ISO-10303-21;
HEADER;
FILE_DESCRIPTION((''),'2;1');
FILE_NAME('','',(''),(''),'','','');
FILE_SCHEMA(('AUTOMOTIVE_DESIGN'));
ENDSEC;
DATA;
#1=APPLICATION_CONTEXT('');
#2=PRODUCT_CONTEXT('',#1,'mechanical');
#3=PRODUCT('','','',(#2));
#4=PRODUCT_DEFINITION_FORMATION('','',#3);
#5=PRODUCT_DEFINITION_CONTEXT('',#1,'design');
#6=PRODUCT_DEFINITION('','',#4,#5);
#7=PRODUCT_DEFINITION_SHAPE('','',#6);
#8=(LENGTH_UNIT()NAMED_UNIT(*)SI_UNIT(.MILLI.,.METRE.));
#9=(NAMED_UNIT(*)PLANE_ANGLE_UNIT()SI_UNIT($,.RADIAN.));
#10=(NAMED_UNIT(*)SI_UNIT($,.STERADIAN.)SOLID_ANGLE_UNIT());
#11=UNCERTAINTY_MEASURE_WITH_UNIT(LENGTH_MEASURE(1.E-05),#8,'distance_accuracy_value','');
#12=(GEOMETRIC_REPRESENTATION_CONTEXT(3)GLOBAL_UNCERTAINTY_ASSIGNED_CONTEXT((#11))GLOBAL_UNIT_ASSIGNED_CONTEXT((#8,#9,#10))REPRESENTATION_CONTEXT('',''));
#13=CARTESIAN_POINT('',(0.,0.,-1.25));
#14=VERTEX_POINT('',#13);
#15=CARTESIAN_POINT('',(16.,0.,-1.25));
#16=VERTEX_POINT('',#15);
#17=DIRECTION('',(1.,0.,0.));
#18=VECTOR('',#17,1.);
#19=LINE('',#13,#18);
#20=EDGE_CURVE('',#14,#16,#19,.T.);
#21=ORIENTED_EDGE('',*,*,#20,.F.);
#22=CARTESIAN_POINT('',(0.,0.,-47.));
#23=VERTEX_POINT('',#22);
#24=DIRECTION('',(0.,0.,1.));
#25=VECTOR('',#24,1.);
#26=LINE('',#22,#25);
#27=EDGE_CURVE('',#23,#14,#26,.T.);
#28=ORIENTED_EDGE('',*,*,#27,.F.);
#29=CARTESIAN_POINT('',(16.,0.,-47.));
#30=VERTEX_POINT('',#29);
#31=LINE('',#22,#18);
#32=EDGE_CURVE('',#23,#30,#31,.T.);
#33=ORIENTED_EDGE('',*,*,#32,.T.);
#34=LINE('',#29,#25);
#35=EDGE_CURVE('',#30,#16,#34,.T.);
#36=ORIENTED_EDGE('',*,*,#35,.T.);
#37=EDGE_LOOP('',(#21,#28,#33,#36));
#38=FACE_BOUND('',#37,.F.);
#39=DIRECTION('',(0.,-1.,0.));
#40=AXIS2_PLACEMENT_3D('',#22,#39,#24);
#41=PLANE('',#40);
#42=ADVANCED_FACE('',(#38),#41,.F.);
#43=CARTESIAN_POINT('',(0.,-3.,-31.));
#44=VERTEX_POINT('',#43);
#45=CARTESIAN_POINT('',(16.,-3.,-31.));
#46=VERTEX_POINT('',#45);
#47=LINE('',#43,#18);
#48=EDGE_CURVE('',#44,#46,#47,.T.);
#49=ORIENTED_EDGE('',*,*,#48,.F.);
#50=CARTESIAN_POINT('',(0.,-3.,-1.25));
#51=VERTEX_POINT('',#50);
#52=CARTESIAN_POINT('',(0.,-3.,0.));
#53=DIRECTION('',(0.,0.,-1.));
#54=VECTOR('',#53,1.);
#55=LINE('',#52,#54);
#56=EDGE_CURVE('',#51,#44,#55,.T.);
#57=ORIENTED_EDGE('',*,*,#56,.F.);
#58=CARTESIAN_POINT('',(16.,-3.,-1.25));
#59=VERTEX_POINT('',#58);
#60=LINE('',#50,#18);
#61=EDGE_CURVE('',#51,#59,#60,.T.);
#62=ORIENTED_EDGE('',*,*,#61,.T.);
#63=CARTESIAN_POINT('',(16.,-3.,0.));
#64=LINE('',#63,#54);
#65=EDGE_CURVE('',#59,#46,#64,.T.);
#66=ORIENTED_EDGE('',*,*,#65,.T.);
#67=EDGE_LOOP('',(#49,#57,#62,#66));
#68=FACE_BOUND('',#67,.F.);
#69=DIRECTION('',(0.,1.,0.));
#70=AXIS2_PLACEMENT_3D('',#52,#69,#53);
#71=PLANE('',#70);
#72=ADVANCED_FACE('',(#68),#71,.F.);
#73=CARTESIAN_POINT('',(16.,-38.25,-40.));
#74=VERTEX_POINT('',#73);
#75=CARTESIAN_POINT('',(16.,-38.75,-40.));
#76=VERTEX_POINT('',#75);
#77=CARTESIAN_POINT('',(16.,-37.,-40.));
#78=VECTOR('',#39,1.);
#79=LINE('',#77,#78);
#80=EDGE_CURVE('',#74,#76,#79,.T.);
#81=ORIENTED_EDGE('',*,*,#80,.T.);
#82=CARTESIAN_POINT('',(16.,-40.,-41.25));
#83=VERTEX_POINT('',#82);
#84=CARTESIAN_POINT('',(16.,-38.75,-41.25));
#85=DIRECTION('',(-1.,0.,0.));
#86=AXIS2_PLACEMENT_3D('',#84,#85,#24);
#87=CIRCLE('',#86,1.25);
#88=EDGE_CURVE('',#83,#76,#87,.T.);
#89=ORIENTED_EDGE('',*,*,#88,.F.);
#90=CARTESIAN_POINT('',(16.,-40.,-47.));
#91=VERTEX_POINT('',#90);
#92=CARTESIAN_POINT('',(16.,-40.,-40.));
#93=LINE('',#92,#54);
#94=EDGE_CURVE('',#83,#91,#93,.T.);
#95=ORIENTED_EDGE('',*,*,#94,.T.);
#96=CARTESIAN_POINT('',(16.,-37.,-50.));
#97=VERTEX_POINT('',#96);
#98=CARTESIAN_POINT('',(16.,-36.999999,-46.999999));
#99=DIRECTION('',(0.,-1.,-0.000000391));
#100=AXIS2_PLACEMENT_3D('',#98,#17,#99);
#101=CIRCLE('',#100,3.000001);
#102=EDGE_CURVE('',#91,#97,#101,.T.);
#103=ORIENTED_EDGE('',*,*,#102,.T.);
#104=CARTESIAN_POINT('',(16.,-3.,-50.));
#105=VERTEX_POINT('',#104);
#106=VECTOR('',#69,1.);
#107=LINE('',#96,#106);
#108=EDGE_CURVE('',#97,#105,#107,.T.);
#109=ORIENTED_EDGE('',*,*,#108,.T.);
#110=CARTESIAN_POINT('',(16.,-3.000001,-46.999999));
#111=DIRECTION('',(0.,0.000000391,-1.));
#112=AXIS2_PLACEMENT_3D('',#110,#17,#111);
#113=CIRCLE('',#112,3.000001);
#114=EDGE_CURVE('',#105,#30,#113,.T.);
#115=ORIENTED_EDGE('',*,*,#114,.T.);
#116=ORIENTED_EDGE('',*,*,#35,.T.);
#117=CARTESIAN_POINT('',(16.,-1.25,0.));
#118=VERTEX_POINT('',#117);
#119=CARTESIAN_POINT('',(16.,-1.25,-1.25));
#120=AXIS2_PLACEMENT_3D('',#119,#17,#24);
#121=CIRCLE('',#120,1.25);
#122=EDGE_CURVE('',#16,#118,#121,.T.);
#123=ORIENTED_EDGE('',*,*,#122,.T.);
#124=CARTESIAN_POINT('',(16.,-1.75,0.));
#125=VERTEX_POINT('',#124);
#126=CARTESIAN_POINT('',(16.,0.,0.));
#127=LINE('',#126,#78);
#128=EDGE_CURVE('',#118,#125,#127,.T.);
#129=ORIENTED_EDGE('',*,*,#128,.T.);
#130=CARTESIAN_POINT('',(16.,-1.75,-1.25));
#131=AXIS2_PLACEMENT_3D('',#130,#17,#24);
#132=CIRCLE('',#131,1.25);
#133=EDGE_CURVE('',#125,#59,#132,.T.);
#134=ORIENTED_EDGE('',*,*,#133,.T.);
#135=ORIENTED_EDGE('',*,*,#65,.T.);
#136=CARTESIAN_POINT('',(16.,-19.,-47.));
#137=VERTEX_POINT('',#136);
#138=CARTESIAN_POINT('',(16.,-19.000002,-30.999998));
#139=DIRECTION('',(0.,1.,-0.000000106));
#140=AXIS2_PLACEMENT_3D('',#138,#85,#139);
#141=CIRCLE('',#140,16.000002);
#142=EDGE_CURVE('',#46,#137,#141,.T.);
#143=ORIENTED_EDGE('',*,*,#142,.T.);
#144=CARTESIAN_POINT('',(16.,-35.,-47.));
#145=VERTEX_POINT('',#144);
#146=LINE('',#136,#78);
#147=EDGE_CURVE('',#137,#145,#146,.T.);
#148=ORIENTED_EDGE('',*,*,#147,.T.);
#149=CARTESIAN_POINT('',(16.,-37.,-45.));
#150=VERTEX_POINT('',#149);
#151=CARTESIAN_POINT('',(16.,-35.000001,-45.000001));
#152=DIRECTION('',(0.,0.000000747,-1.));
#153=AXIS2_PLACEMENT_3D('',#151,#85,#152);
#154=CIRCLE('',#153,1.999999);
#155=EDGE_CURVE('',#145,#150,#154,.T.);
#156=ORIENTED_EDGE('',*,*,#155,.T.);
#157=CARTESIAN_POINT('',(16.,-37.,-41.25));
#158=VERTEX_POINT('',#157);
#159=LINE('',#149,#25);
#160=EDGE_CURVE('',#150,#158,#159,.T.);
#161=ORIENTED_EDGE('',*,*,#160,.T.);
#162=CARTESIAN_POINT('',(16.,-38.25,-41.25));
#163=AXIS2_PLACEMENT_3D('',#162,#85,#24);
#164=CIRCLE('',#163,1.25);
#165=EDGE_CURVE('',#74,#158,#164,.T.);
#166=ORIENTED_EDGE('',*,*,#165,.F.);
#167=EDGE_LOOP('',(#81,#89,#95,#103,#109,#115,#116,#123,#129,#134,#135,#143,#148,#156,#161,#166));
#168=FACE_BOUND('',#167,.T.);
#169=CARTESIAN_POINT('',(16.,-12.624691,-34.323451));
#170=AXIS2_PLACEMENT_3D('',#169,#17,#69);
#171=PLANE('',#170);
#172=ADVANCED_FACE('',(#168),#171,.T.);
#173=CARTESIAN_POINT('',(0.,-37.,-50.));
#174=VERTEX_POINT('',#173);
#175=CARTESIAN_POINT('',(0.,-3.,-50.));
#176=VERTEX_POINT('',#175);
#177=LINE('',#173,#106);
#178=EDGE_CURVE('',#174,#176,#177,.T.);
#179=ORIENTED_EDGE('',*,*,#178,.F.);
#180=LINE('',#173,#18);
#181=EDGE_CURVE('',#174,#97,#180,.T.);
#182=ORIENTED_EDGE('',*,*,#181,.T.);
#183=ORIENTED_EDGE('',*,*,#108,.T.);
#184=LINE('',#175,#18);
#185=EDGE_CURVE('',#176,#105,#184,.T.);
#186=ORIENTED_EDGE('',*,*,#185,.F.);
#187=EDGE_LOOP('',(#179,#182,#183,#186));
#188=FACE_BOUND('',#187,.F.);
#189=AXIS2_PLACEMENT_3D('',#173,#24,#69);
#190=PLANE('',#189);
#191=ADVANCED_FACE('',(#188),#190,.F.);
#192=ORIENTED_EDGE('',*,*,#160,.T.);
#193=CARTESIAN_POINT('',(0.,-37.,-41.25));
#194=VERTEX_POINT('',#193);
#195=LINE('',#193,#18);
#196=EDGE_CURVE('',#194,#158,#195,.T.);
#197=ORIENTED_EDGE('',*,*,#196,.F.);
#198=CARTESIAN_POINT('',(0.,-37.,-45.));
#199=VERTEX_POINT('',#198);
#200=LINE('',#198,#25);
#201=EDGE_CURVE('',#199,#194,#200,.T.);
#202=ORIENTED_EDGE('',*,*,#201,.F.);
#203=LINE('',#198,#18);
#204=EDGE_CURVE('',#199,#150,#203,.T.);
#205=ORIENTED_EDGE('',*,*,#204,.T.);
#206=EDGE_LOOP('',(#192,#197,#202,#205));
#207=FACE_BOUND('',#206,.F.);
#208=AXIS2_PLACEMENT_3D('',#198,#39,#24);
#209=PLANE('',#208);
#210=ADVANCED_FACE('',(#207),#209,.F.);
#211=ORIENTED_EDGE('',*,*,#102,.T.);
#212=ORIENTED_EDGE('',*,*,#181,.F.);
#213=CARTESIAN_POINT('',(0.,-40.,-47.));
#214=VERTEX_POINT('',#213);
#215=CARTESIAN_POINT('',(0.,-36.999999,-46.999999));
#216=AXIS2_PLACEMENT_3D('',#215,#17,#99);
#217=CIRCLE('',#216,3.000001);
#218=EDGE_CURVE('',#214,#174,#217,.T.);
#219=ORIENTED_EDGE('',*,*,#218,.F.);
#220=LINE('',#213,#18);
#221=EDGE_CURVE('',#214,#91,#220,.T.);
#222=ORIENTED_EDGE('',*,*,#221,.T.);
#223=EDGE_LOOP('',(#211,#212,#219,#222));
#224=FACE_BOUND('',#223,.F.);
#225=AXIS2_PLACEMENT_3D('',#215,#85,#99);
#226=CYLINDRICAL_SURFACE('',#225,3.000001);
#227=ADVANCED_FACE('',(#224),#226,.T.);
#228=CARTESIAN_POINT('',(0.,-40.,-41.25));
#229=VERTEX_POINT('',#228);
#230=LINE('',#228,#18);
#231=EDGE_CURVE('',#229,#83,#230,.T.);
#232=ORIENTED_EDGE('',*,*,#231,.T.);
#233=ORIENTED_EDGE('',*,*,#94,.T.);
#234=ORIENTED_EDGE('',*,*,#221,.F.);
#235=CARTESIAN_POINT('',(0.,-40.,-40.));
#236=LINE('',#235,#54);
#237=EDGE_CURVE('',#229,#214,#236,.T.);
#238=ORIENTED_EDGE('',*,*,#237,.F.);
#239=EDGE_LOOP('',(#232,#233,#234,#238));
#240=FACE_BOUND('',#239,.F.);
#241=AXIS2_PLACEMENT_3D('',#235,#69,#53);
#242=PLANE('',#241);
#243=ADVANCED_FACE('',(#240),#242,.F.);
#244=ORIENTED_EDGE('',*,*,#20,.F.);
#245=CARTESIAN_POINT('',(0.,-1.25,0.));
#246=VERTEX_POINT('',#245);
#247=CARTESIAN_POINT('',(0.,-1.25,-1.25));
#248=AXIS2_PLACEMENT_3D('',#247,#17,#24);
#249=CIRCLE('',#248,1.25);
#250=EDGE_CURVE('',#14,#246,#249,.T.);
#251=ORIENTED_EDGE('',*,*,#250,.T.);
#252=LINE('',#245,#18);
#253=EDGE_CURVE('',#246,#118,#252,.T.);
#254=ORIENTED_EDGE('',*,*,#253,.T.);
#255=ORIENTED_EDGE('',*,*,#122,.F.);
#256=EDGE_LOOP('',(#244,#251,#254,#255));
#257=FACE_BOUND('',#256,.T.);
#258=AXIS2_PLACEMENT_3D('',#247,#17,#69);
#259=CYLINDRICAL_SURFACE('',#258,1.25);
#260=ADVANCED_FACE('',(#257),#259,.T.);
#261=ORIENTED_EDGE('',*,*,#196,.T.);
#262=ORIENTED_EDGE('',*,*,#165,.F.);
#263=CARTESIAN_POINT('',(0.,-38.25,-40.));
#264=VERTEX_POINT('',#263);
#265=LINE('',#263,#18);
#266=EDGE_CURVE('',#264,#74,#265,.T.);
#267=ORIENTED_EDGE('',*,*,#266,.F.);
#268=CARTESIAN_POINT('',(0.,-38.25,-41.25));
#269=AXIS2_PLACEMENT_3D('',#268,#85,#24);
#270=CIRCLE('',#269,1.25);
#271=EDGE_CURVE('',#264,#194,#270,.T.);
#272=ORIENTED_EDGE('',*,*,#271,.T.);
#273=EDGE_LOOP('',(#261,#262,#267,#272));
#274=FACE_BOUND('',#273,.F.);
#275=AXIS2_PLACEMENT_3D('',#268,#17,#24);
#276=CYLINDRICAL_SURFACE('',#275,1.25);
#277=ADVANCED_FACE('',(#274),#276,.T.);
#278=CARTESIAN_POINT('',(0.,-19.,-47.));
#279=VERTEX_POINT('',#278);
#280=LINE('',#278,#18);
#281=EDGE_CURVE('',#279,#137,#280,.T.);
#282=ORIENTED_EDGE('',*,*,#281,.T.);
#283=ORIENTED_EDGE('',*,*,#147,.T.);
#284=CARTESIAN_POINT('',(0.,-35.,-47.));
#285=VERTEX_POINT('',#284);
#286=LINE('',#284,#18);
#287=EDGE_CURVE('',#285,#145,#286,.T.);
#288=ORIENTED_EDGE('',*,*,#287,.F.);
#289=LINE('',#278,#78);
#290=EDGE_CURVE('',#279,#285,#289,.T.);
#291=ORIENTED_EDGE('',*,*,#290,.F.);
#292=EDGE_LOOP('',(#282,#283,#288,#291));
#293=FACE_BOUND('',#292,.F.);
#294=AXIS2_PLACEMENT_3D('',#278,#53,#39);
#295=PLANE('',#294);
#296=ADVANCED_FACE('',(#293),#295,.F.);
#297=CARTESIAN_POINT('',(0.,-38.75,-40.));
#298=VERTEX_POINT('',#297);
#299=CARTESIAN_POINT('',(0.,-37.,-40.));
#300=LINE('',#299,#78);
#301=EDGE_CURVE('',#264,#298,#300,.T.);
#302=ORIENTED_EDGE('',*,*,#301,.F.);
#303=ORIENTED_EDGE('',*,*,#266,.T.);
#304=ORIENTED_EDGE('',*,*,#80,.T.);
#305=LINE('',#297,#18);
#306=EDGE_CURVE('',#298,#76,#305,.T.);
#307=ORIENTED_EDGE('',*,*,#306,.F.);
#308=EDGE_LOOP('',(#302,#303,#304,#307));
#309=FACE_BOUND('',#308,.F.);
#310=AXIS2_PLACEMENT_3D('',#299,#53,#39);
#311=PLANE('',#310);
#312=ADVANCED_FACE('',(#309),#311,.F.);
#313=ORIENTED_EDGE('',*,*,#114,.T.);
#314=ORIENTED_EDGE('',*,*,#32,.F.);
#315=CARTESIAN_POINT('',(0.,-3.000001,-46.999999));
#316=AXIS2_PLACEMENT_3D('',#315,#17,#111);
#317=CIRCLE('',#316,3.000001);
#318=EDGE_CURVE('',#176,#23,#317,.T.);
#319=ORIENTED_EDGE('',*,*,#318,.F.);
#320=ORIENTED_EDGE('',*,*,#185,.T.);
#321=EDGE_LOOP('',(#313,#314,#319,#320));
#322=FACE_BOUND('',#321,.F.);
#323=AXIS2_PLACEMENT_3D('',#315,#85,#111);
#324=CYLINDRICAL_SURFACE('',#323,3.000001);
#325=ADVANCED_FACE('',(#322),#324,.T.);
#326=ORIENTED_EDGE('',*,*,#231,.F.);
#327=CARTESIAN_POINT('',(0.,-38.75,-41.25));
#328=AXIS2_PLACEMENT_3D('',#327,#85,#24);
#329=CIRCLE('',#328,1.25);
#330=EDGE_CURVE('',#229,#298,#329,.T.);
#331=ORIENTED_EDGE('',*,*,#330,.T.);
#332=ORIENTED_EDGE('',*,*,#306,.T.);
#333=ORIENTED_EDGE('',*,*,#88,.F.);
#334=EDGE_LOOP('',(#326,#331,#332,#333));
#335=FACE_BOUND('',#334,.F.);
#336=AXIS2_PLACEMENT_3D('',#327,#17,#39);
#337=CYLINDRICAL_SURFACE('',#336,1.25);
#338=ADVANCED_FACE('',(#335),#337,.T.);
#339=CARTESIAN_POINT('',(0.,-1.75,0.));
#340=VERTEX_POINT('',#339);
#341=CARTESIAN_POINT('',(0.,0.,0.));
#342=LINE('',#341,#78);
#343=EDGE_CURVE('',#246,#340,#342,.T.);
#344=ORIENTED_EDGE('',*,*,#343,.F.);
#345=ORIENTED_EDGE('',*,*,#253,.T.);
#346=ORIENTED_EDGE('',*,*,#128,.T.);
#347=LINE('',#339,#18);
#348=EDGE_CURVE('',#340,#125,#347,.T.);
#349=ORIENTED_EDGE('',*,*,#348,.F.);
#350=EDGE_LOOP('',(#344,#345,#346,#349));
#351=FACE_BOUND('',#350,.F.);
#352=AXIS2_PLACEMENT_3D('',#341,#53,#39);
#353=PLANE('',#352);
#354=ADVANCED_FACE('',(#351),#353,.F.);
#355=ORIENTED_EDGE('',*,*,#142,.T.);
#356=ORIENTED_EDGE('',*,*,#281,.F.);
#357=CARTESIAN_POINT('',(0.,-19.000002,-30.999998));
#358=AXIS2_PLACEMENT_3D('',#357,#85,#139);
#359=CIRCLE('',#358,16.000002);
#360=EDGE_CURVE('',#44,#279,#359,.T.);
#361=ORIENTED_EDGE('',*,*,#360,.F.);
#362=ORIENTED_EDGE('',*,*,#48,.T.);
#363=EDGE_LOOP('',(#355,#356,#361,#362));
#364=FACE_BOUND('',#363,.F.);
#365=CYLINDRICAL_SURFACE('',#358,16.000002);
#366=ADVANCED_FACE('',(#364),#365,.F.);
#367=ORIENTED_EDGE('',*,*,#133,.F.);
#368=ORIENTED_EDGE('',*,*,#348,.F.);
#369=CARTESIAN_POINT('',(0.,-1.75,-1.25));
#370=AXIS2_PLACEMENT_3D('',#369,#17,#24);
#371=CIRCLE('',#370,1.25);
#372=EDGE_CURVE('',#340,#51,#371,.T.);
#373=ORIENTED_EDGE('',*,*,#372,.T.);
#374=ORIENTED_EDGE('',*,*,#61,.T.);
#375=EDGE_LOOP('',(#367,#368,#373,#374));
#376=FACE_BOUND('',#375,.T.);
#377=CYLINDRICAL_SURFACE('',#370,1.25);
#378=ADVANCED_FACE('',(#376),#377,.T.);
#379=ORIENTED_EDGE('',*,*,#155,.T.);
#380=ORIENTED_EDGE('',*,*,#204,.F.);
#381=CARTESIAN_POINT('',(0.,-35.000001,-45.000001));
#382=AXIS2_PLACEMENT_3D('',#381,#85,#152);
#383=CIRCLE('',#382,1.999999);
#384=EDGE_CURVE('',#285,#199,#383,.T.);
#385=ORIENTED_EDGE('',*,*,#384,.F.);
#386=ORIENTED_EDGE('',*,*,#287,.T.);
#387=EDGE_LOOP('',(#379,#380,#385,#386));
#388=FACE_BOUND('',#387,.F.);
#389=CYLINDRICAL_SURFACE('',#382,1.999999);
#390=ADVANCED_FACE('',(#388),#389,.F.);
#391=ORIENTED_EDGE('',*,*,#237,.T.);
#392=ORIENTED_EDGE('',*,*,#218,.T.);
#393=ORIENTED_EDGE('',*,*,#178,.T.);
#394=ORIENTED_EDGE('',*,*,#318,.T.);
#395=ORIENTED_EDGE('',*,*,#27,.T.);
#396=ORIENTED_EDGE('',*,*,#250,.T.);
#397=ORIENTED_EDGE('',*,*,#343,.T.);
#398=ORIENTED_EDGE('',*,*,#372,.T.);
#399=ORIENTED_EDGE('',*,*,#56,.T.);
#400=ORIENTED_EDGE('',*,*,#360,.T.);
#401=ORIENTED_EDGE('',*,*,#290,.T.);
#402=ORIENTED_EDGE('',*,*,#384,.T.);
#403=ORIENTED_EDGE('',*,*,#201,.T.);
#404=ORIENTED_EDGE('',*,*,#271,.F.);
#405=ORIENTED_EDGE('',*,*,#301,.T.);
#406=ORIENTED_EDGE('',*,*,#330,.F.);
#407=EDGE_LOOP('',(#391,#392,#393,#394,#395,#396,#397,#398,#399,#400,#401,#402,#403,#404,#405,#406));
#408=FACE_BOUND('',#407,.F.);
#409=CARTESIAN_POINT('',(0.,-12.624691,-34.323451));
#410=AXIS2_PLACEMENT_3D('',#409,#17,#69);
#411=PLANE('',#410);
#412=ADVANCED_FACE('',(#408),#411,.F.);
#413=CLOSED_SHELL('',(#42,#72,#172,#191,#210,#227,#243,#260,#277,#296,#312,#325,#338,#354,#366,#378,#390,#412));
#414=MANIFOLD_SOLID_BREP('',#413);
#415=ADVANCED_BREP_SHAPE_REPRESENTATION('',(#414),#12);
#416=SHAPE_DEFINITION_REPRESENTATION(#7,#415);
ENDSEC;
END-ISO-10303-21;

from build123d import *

# Parameters (mm, degrees)
F1_DEPTH = 16
F2_R     = 1.25
F3_R     = 1.25


with BuildPart() as f1:
    # F0 (on Right) → F1 (new body)
    with BuildSketch(Plane.YZ):
        with BuildLine():
            Line((0, -47), (0, 0))
            Line((0, 0), (-3, 0))
            Line((-3, 0), (-3, -31))
            ThreePointArc((-3, -31), (-7.686292, -42.313708), (-19, -47))
            Line((-19, -47), (-35, -47))
            ThreePointArc((-35, -47), (-36.414214, -46.414214), (-37, -45))
            Line((-37, -45), (-37, -40))
            Line((-37, -40), (-40, -40))
            Line((-40, -40), (-40, -47))
            ThreePointArc((-40, -47), (-39.12132, -49.12132), (-37, -50))
            Line((-37, -50), (-3, -50))
            ThreePointArc((-3, -50), (-0.87868, -49.12132), (0, -47))
        make_face()
    extrude(amount=F1_DEPTH)

    # F2
    f2_edges = [f1.edges().sort_by_distance(p)[0] for p in [
        (8, 0, 0),
        (8, -3, 0),
    ]]
    fillet(f2_edges, radius=F2_R)

    # F3
    f3_edges = [f1.edges().sort_by_distance(p)[0] for p in [
        (8, -37, -40),
        (8, -40, -40),
    ]]
    fillet(f3_edges, radius=F3_R)


solid = f1.part
